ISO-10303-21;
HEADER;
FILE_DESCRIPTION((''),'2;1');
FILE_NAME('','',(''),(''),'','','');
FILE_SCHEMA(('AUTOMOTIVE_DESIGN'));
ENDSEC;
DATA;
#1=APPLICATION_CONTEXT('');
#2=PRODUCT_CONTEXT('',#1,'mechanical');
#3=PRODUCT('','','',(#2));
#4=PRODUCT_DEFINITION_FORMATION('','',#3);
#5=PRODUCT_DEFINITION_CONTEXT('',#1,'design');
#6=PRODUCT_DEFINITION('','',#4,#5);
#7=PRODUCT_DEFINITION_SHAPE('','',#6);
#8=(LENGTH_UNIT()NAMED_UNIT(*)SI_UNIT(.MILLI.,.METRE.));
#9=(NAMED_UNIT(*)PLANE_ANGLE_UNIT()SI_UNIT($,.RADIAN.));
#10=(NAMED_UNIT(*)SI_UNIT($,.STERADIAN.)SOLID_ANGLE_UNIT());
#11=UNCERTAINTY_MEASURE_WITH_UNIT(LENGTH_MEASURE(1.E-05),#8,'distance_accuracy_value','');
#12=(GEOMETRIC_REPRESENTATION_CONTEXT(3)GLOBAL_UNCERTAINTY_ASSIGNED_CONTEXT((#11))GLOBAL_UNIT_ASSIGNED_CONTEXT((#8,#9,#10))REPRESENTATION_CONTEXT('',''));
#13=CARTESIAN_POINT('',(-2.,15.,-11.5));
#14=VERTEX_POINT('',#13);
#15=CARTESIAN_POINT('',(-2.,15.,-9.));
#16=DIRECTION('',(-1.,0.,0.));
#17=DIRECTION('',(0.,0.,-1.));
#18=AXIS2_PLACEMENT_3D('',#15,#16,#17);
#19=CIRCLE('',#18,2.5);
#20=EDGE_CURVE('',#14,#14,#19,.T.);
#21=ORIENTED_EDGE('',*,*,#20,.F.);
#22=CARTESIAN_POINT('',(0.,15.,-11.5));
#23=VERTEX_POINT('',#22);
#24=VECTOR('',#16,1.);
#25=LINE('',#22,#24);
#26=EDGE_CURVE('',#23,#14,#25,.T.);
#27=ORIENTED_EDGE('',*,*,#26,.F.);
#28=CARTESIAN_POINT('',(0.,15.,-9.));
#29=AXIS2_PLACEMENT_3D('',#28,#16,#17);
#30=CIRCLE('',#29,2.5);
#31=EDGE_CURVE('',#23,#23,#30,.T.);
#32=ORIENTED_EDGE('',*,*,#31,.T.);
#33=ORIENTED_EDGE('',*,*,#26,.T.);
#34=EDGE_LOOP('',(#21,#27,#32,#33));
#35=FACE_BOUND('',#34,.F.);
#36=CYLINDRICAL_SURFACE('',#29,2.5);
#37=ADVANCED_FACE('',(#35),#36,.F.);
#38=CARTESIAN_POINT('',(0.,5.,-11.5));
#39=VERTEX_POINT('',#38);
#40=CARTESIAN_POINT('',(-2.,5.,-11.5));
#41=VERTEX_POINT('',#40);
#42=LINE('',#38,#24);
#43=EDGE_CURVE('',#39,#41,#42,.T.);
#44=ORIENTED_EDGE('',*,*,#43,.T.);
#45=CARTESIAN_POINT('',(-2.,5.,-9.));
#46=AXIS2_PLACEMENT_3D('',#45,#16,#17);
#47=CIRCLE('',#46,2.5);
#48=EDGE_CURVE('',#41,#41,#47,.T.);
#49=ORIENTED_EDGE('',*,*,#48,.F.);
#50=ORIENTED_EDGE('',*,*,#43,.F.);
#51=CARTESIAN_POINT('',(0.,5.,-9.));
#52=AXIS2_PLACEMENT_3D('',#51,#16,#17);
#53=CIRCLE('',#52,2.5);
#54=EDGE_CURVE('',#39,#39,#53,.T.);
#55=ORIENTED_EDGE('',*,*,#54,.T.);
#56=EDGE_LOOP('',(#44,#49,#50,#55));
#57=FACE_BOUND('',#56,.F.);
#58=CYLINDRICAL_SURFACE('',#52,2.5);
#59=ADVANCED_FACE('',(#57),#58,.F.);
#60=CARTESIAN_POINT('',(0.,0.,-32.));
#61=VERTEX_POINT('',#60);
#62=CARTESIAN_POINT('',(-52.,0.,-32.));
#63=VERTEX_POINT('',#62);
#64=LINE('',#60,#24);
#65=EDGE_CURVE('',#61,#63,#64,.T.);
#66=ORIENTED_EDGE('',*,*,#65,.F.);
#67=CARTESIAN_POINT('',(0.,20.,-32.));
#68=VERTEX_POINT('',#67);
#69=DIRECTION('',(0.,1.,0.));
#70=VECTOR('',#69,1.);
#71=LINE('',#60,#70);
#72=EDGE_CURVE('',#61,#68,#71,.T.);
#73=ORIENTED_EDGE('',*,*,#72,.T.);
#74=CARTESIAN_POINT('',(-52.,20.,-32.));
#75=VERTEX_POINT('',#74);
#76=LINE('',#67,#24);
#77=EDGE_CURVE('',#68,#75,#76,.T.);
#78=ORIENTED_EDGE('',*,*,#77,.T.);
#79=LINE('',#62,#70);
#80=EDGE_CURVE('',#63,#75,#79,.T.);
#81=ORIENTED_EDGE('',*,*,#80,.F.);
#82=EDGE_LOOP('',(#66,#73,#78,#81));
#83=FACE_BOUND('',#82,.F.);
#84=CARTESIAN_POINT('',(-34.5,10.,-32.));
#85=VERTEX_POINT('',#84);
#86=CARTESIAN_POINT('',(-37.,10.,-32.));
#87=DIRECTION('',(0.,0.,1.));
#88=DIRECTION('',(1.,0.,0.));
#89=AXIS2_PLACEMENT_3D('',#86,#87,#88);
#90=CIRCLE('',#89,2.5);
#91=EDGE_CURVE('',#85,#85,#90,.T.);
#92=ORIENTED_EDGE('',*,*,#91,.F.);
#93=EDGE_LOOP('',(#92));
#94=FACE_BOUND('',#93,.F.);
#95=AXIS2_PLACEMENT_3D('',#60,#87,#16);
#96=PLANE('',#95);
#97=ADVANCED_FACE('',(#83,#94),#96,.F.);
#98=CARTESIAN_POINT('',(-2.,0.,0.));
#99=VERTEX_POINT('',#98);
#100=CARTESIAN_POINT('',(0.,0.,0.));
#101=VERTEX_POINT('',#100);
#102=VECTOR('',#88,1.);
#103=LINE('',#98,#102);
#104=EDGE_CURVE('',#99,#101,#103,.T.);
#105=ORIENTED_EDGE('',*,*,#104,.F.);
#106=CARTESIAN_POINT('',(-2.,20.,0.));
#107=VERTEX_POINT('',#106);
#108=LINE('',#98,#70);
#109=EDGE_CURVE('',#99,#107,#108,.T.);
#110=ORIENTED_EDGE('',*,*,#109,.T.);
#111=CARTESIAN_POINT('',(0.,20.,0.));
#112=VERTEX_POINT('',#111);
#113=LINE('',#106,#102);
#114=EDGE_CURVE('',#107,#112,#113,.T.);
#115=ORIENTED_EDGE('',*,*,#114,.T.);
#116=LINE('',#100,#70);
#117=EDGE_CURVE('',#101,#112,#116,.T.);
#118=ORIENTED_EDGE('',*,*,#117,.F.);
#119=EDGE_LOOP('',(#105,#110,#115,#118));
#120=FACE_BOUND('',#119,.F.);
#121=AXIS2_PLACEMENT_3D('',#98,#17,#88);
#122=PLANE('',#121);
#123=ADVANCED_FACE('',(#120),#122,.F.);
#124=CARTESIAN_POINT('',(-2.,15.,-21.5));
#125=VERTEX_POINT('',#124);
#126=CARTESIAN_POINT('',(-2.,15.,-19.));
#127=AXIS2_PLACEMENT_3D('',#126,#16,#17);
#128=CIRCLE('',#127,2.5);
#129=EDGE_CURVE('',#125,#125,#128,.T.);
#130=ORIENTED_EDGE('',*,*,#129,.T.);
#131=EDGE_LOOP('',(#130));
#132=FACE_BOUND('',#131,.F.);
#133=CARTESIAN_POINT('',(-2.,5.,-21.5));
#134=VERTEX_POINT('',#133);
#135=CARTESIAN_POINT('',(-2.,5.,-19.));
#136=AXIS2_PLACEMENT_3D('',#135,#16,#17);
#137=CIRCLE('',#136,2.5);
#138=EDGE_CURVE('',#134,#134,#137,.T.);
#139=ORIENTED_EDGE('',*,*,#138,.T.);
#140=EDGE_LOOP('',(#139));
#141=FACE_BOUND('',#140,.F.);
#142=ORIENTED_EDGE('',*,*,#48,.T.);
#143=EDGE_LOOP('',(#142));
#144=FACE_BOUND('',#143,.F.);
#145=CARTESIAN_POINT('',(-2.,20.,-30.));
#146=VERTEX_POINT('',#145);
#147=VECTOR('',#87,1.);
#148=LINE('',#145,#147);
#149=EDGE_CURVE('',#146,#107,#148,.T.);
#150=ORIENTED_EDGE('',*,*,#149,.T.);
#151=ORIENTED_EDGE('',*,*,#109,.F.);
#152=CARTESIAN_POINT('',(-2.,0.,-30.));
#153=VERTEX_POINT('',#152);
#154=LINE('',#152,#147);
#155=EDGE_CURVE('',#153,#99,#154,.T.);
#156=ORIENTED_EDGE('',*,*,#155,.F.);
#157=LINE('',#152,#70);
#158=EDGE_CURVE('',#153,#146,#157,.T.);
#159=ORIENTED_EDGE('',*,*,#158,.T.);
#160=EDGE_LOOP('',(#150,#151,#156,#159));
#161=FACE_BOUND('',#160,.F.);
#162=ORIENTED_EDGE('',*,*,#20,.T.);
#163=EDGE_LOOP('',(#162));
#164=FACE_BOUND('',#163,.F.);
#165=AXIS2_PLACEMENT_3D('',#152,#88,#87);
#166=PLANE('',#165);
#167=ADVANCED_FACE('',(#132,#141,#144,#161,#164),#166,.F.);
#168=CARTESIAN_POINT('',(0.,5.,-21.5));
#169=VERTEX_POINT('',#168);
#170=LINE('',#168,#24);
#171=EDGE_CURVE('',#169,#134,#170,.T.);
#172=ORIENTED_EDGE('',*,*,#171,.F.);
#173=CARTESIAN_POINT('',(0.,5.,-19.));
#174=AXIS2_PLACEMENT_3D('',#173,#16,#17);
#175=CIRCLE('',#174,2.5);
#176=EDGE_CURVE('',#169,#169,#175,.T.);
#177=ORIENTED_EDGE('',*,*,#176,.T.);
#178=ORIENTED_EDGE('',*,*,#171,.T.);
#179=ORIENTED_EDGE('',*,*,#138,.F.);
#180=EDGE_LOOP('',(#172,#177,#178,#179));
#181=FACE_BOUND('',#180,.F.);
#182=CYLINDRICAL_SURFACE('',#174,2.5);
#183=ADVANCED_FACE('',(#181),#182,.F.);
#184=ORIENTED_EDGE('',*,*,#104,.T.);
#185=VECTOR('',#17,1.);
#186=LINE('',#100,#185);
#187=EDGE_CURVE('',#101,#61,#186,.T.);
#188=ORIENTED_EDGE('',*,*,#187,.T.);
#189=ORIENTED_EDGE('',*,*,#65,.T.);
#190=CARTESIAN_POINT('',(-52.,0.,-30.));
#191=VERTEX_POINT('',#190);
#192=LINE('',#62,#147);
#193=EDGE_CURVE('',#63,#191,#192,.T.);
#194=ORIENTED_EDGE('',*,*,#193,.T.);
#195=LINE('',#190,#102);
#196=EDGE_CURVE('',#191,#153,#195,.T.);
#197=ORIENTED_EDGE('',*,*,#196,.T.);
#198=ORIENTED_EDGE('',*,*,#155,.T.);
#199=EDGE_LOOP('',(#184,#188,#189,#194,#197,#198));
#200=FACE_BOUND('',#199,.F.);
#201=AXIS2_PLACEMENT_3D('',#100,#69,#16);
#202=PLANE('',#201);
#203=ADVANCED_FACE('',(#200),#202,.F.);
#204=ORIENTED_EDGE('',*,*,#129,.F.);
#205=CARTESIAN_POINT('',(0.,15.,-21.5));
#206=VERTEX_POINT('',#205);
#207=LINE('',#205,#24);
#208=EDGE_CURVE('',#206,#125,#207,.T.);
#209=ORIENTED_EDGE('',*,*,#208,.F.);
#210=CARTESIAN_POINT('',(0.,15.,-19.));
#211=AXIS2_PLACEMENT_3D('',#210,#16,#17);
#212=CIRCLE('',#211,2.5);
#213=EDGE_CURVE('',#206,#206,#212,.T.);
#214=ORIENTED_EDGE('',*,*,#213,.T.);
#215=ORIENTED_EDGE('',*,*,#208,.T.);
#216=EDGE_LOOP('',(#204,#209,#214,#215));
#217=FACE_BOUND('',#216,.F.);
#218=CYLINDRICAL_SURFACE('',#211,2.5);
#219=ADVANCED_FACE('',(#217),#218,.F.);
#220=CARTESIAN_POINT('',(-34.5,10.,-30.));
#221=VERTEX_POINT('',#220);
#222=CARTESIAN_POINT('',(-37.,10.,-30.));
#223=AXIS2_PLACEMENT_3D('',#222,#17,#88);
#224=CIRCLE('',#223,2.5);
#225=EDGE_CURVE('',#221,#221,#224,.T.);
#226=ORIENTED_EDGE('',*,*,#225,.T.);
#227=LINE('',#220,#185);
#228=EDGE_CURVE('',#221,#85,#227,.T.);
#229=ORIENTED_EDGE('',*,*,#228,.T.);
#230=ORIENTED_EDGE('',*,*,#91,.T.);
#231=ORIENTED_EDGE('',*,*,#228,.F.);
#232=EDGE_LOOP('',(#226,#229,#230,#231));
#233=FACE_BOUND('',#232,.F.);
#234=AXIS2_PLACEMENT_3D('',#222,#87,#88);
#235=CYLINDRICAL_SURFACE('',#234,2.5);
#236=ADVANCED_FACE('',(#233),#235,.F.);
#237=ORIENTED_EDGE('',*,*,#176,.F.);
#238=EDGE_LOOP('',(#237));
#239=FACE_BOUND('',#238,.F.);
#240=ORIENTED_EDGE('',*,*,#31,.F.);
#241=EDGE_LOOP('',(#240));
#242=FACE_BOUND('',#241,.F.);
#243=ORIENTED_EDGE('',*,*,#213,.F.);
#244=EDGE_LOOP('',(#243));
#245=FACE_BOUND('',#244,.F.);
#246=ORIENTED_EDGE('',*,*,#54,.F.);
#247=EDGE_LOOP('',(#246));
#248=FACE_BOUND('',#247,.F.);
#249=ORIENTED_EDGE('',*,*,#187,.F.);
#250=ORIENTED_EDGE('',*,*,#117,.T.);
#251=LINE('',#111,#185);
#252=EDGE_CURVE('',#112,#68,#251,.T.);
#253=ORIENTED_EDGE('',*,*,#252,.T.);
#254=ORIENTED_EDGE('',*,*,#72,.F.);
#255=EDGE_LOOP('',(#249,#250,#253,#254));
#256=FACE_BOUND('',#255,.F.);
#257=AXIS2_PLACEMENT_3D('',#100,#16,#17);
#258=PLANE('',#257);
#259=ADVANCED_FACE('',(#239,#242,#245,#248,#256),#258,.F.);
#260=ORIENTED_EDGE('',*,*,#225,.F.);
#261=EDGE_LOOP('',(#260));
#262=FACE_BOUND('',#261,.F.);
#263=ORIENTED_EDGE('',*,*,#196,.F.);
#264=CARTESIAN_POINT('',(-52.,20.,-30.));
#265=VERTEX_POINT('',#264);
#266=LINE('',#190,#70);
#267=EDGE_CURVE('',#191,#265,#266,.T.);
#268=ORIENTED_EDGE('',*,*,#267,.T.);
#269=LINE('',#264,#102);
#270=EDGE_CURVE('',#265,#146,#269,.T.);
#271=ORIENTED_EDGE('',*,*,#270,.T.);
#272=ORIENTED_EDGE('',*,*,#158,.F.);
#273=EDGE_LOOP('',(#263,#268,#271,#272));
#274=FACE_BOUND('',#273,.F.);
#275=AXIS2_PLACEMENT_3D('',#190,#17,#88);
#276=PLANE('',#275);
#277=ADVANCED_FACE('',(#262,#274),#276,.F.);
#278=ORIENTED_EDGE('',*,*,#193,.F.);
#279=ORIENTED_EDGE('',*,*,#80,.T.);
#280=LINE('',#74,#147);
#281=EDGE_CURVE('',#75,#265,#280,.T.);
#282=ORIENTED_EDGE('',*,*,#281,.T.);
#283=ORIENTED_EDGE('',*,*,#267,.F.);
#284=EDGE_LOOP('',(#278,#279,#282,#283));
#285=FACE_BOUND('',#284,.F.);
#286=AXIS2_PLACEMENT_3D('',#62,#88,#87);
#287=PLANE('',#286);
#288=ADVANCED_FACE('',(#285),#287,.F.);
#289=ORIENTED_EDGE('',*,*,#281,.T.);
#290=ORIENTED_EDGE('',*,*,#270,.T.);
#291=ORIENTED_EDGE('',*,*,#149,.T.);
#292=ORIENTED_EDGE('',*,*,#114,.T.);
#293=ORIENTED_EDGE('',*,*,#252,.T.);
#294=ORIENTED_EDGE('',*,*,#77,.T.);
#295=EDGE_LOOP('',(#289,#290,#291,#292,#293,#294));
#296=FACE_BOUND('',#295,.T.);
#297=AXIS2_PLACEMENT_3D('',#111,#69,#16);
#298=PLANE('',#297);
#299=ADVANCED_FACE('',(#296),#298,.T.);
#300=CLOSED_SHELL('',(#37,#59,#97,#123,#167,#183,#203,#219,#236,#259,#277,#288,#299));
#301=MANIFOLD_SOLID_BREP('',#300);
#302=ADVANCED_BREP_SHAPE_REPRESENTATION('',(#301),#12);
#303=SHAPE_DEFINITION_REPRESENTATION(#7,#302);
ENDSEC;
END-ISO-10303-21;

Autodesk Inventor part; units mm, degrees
ref_plane "YZ Plane" through (0, 0, 0) normal (1, 0, 0) x (0, 1, 0)
ref_plane "XZ Plane" through (0, 0, 0) normal (0, 1, 0) x (-1, 0, 0)
ref_plane "XY Plane" through (0, 0, 0) normal (0, 0, 1) x (1, 0, 0)
sketch "Sketch1" plane through (0, 0, 0) normal (0, 1, 0) x (-1, 0, 0)
  line L0 (0, 0) -> (0, -32)
  line L1 (0, -32) -> (52, -32)
  line L2 (52, -32) -> (52, -30)
  line L3 (52, -30) -> (2, -30)
  line L4 (2, -30) -> (2, 0)
  line L5 (2, 0) -> (0, 0)
  dimension "d0" = 2
  dimension "d1" = 2
  dimension "d2" = 50
  dimension "d3" = 30
extrude "base" add sketch "Sketch1" along normal blind 20
sketch "Sketch2" plane through (-52, 0, -30) normal (0, 0, 1) x (1, 0, 0)
  line L0 (0, 0) -> (50, 0) construction
  line L1 (50, 0) -> (50, 20) construction
  line L2 (0, 20) -> (50, 20) construction
  line L3 (0, 0) -> (0, 20) construction
  line L4 (0, 0) -> (50, 0) construction
  line L5 (52, 20) -> (0, 20) construction
  circle A0 centre (15, 10) radius 2.5
  line L6 (0, 0) -> (0, 20) projected
  line L7 (0, 10) -> (52, 10)
  line L8 (52, 0) -> (52, 20) projected
  dimension "d6" = 5
  dimension "d9" = 15
extrude "shaftHole" cut sketch "Sketch2" against normal blind 30
sketch "Sketch4" plane through (0, 0, 0) normal (1, 0, 0) x (0, 0, -1)
  line L0 (32, 0) -> (32, 20) construction
  line L1 (0, 0) -> (0, 20) construction
  line L2 (30, 0) -> (30, 20) construction
  line L3 (0, 10) -> (30, 10) construction
  line L4 (9, 5) -> (9, 15) construction
  line L5 (19, 15) -> (19, 5) construction
  point P0 (9, 10)
  point P1 (19, 10)
  dimension "d22" = 30
  dimension "d29" = 10
  dimension "d30" = 9
  dimension "d31" = 10
  dimension "d32" = 10
hole "Hole1" at (0, 5, -9) at (0, 15, -9) at (0, 15, -19) at (0, 5, -19) direction (-1, 0, 0) diameter 5 end through all
equation "\"d1\" = d0"
equation "\"d31\" = d29"
properties part number "motorBracket" material "Steel"
